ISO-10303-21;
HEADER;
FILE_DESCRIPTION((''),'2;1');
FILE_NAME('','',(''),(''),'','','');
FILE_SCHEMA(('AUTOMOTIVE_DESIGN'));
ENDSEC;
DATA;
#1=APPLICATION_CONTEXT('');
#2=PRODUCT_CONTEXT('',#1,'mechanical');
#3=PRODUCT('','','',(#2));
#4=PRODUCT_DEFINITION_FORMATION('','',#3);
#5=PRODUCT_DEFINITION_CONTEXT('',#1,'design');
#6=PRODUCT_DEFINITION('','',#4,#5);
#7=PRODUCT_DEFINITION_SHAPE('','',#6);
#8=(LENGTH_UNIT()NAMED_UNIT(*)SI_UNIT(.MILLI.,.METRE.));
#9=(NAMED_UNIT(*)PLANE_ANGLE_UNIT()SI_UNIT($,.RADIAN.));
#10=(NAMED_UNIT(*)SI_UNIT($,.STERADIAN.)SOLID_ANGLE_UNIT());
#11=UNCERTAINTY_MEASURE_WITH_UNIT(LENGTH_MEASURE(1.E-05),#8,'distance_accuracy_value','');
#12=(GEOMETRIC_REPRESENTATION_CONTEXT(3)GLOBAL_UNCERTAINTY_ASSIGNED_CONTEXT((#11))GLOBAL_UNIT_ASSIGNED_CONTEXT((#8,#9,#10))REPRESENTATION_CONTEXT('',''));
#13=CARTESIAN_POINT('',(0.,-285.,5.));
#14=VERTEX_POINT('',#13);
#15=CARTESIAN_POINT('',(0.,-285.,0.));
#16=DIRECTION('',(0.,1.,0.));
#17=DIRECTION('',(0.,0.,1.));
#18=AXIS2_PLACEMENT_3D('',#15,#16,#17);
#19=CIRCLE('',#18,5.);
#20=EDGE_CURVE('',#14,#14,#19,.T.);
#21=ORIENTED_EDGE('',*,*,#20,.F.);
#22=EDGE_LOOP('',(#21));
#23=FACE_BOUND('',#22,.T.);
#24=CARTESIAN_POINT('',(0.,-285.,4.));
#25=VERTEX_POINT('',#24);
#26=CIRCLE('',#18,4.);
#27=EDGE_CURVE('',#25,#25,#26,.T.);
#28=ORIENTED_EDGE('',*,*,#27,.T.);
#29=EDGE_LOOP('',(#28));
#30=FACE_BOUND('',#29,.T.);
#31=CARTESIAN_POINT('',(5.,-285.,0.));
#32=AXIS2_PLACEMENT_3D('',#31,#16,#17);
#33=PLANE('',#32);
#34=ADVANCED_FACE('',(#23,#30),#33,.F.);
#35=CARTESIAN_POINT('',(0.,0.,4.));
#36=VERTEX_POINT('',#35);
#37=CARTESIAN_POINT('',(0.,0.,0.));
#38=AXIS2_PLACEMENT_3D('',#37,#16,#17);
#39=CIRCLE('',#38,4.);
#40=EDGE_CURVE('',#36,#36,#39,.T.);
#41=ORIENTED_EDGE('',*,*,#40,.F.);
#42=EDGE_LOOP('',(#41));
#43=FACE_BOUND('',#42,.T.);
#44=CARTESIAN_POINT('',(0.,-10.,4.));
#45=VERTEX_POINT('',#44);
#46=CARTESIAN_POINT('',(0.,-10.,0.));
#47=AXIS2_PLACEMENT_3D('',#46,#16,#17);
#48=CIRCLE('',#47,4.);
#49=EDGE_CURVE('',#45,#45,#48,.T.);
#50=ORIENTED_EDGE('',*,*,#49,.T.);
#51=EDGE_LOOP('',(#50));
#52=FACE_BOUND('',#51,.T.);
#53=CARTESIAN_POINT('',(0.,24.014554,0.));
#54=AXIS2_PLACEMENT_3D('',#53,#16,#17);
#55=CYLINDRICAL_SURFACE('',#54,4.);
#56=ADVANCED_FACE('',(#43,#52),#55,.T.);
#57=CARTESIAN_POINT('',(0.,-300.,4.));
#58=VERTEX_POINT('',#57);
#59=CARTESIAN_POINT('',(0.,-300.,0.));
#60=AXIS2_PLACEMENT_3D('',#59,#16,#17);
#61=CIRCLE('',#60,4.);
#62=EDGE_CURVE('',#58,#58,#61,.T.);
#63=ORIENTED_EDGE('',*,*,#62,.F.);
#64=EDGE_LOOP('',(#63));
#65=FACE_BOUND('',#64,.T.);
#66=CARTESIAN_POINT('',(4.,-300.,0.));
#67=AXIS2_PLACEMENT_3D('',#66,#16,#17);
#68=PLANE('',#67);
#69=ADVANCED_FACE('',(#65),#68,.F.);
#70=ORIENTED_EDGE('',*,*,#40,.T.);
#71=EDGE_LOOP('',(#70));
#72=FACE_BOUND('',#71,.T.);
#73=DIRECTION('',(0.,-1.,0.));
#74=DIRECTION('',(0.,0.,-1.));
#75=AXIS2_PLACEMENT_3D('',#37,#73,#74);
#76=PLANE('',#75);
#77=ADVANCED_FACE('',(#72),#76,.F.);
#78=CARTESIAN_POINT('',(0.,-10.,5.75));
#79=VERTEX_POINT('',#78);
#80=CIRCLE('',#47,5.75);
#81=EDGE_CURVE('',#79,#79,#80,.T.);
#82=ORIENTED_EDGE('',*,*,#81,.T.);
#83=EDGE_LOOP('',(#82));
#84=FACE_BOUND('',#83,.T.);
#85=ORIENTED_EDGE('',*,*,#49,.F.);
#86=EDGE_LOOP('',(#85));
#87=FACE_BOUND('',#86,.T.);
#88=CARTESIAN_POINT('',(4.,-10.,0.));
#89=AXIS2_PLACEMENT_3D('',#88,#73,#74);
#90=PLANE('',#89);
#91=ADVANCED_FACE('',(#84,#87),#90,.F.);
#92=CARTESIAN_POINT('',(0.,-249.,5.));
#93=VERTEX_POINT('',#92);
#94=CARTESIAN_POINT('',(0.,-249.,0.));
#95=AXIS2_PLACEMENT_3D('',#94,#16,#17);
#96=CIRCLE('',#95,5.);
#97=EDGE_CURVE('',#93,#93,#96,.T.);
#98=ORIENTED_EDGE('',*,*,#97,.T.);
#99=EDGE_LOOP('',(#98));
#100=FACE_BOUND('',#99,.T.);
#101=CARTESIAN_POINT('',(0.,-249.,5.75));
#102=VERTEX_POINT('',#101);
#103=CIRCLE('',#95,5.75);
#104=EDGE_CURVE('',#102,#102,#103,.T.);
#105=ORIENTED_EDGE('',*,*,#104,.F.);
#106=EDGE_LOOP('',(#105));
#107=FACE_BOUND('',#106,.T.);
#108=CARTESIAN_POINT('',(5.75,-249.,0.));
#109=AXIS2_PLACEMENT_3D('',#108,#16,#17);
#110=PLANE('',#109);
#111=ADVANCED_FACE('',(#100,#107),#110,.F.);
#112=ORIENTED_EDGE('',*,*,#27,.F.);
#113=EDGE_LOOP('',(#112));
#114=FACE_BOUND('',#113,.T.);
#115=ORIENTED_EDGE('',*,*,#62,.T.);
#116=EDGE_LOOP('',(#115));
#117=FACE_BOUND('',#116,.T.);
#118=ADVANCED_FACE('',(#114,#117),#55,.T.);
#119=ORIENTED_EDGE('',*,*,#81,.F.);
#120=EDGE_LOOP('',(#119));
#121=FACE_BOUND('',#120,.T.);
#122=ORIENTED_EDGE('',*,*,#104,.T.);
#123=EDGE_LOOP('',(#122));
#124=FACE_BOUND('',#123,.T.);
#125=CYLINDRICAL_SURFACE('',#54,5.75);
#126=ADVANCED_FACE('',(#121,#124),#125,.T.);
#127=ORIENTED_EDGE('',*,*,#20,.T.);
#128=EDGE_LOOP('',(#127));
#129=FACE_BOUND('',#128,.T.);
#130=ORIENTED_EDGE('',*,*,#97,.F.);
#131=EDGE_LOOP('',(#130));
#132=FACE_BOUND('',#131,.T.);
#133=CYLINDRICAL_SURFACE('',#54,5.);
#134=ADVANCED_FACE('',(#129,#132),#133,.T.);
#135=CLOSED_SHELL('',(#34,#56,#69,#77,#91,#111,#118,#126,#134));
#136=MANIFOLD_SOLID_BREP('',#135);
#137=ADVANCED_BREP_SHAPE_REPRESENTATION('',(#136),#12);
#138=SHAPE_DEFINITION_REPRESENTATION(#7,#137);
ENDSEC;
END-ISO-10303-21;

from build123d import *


with BuildPart() as part:
    # Sketch1 → Revolve1 (revolve)
    with BuildSketch(Plane.XY, mode=Mode.PRIVATE) as revolve1_sk:
        Polygon((0, 0), (4, 0), (4, -10), (5.75, -10), (5.75, -249), (5, -249), (5, -285), (4, -285), (4, -300), (0, -300), align=None)
    revolve(revolve1_sk.sketch.rotate(Axis((0, 24.014554369, 0), (0, -1, 0)), 90), axis=Axis((0, 24.014554369, 0), (0, -1, 0)))


solid = part.part
